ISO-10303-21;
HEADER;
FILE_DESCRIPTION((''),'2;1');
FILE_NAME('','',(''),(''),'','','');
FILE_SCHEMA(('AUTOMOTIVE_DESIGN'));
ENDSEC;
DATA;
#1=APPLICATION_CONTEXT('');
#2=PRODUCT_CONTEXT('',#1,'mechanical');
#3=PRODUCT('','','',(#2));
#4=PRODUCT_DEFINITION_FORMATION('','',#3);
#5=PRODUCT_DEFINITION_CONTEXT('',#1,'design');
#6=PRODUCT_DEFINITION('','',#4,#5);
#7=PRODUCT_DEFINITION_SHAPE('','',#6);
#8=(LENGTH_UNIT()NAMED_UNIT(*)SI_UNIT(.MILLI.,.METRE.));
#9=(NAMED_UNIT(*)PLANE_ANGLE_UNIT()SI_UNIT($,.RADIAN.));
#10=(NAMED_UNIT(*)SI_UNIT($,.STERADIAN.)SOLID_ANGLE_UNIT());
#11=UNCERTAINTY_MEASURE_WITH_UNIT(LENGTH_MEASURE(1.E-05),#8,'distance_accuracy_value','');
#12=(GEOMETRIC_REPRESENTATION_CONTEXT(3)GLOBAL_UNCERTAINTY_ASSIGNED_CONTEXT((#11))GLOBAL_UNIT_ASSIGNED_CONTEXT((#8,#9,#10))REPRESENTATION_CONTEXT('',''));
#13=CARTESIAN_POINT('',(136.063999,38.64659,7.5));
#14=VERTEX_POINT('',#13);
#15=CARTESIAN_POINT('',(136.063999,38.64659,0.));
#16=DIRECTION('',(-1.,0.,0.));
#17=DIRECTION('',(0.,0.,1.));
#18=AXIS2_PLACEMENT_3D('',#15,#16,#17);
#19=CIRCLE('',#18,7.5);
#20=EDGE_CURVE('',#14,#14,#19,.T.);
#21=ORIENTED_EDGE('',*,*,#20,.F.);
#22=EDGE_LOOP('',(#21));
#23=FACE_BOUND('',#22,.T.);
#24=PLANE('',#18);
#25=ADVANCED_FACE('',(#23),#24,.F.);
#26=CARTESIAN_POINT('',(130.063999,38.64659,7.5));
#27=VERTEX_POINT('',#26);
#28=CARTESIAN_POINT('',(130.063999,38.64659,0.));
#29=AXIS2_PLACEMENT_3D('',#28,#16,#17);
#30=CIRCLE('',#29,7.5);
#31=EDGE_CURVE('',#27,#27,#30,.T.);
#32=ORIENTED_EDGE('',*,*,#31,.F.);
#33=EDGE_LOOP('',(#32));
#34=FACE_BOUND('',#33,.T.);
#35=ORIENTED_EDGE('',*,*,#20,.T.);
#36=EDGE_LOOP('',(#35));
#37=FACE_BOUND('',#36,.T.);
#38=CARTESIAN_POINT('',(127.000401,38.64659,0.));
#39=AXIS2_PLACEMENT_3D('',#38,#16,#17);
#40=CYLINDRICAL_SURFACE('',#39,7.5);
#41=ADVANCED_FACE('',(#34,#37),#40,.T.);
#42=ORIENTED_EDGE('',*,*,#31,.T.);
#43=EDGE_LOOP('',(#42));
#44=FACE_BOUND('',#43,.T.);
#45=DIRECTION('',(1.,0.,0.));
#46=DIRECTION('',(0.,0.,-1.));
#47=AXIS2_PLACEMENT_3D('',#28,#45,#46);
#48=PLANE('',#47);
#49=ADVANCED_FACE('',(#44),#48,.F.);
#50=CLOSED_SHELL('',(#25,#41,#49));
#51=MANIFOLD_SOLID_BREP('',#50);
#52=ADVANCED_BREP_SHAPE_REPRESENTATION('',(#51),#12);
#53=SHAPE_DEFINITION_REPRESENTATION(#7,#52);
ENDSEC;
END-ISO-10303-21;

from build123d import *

# Parameters (mm, degrees)
SKETCH_1_W = 6
SKETCH_1_H = 7.5


with BuildPart() as part:
    # 草图1 → 旋转1 (revolve)
    with BuildSketch(Plane.XY, mode=Mode.PRIVATE) as revolve_1_sk:
        with Locations((133.06399853, 42.396589675)):
            Rectangle(SKETCH_1_W, SKETCH_1_H)
    revolve(revolve_1_sk.sketch.rotate(Axis((127.000400996, 38.646589675, 0), (1, 0, 0)), 90), axis=Axis((127.000400996, 38.646589675, 0), (1, 0, 0)))  # turned: the seam where the file's is


solid = part.part
